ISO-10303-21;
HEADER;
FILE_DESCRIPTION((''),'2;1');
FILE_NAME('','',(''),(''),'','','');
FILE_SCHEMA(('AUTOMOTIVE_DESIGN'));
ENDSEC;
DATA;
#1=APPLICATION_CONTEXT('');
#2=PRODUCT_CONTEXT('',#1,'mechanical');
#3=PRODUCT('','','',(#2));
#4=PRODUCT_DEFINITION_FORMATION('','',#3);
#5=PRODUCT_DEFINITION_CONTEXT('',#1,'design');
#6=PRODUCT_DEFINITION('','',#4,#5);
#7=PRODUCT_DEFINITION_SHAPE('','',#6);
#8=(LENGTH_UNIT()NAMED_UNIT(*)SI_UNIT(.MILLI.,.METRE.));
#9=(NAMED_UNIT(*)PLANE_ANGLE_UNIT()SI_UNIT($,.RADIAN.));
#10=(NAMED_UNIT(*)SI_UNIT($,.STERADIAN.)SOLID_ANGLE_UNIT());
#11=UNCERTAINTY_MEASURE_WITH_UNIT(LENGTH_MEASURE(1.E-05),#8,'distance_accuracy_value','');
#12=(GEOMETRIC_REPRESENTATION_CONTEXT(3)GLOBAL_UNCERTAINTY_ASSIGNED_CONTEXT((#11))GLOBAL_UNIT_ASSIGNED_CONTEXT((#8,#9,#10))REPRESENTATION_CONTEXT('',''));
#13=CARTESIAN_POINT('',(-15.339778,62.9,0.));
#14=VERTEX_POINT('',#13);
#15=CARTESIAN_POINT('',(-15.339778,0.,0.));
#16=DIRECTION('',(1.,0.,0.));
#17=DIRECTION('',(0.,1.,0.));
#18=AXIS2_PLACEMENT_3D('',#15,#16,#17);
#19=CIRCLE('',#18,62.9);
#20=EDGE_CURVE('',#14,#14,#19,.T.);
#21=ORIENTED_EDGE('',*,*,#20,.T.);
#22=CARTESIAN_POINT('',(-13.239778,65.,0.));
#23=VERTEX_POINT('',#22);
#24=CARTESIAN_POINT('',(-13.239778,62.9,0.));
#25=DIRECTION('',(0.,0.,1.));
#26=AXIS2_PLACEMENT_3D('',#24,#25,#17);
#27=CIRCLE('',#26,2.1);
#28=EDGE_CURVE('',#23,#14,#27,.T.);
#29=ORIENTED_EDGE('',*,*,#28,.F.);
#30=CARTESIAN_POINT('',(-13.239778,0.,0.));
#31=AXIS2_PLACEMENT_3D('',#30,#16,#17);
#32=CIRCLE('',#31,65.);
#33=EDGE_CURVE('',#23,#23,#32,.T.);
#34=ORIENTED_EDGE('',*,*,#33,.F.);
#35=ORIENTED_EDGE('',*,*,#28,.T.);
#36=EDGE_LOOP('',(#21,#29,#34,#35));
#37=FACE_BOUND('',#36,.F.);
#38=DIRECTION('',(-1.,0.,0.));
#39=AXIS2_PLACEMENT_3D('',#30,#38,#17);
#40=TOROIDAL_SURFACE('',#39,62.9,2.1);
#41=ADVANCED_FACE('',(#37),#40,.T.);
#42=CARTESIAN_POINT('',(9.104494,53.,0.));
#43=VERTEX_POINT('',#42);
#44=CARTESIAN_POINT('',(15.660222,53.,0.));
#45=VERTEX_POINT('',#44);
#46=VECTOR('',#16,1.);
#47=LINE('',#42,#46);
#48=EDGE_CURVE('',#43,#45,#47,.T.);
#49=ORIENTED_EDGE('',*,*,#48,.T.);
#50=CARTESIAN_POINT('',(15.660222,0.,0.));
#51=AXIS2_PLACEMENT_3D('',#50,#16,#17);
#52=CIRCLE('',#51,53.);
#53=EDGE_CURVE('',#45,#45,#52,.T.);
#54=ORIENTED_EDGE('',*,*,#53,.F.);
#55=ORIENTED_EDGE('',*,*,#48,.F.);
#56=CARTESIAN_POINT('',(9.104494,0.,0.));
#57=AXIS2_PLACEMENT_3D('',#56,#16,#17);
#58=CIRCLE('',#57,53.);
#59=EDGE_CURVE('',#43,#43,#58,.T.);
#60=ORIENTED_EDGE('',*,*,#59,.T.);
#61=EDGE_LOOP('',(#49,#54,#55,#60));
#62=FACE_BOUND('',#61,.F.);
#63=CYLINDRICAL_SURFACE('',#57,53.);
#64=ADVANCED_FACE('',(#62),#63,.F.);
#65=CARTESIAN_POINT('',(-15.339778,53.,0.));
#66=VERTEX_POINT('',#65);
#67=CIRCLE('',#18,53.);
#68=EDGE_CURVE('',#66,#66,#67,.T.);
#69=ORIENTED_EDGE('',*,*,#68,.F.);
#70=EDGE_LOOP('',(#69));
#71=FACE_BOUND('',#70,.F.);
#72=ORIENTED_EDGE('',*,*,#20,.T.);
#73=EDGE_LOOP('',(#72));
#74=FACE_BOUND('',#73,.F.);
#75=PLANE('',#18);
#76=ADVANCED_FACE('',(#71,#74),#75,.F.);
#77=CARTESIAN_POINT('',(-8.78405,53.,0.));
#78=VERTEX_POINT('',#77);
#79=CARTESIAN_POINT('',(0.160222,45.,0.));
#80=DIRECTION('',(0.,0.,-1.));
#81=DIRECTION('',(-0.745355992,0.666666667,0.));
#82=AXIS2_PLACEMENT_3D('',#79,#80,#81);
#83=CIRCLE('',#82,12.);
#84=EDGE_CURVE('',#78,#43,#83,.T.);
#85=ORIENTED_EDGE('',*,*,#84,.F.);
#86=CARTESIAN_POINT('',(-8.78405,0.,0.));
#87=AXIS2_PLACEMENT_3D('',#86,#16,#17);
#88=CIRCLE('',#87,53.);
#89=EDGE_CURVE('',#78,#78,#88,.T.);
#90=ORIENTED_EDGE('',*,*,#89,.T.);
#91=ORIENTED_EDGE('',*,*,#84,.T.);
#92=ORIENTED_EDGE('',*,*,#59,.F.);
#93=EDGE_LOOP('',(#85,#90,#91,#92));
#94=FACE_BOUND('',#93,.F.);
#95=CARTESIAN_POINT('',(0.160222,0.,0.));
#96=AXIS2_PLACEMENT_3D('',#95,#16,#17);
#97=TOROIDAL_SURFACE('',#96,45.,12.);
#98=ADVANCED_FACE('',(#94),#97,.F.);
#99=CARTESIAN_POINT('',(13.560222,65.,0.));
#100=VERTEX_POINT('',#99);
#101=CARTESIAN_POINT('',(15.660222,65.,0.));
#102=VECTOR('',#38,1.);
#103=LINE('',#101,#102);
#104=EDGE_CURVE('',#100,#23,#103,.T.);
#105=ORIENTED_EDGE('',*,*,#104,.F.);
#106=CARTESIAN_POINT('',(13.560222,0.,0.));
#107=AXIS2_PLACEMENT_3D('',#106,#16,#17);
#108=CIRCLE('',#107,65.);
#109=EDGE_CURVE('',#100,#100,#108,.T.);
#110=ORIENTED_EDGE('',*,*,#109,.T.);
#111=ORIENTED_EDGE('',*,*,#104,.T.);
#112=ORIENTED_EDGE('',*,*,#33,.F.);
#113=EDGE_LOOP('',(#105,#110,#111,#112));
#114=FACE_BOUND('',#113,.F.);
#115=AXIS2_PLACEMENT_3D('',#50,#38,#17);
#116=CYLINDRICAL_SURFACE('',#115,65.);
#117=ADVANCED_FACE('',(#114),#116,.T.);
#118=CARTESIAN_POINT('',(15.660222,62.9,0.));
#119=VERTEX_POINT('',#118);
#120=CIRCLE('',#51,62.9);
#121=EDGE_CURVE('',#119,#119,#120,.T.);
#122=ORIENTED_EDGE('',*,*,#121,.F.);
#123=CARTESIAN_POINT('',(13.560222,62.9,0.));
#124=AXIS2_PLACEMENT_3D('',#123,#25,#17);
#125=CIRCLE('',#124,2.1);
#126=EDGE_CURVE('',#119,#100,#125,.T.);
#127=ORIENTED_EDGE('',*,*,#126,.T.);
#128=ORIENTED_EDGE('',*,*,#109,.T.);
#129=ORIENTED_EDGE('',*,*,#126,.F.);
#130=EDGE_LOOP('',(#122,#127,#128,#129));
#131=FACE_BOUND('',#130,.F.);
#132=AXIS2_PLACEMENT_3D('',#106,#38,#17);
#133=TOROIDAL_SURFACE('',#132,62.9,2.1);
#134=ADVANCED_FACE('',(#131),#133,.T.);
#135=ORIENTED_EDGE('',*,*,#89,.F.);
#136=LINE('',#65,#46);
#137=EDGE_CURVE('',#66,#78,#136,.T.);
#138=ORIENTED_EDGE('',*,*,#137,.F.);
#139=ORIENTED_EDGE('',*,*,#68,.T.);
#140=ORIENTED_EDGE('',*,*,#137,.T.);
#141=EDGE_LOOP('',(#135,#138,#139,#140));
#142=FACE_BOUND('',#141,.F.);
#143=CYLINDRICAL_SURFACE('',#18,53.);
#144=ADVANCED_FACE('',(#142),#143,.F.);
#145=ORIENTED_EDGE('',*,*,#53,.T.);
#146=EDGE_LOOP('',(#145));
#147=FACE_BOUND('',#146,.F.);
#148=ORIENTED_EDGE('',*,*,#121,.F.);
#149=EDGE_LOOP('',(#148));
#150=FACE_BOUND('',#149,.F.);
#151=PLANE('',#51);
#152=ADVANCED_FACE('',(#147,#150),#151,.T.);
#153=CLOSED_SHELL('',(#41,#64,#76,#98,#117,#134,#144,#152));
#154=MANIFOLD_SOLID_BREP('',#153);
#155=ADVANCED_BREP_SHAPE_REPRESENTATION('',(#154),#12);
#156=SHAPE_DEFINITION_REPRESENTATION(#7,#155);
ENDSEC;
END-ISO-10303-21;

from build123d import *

# Parameters (mm, degrees)
FILLET1_R = 2.1


with BuildPart() as part:
    # Sketch3 → Revolve1 (revolve)
    with BuildSketch(Plane.XY):
        with BuildLine():
            Line((-15.339778092, 53), (-8.784050002, 53))
            ThreePointArc((-8.784050002, 53), (0.160221908, 57), (9.104493818, 53))
            Line((9.104493818, 53), (15.660221908, 53))
            Line((15.660221908, 53), (15.660221908, 65))
            Line((15.660221908, 65), (-15.339778092, 65))
            Line((-15.339778092, 65), (-15.339778092, 53))
        make_face()
    revolve(axis=Axis((-16.039993209, 0, 0), (1, 0, 0)))

    # Fillet1
    fillet1_edges = [part.edges().sort_by_distance(p)[0] for p in [
        (15.660221908, -65, 0),
        (-15.339778092, -65, 0),
    ]]
    fillet(fillet1_edges, radius=FILLET1_R)


solid = part.part
